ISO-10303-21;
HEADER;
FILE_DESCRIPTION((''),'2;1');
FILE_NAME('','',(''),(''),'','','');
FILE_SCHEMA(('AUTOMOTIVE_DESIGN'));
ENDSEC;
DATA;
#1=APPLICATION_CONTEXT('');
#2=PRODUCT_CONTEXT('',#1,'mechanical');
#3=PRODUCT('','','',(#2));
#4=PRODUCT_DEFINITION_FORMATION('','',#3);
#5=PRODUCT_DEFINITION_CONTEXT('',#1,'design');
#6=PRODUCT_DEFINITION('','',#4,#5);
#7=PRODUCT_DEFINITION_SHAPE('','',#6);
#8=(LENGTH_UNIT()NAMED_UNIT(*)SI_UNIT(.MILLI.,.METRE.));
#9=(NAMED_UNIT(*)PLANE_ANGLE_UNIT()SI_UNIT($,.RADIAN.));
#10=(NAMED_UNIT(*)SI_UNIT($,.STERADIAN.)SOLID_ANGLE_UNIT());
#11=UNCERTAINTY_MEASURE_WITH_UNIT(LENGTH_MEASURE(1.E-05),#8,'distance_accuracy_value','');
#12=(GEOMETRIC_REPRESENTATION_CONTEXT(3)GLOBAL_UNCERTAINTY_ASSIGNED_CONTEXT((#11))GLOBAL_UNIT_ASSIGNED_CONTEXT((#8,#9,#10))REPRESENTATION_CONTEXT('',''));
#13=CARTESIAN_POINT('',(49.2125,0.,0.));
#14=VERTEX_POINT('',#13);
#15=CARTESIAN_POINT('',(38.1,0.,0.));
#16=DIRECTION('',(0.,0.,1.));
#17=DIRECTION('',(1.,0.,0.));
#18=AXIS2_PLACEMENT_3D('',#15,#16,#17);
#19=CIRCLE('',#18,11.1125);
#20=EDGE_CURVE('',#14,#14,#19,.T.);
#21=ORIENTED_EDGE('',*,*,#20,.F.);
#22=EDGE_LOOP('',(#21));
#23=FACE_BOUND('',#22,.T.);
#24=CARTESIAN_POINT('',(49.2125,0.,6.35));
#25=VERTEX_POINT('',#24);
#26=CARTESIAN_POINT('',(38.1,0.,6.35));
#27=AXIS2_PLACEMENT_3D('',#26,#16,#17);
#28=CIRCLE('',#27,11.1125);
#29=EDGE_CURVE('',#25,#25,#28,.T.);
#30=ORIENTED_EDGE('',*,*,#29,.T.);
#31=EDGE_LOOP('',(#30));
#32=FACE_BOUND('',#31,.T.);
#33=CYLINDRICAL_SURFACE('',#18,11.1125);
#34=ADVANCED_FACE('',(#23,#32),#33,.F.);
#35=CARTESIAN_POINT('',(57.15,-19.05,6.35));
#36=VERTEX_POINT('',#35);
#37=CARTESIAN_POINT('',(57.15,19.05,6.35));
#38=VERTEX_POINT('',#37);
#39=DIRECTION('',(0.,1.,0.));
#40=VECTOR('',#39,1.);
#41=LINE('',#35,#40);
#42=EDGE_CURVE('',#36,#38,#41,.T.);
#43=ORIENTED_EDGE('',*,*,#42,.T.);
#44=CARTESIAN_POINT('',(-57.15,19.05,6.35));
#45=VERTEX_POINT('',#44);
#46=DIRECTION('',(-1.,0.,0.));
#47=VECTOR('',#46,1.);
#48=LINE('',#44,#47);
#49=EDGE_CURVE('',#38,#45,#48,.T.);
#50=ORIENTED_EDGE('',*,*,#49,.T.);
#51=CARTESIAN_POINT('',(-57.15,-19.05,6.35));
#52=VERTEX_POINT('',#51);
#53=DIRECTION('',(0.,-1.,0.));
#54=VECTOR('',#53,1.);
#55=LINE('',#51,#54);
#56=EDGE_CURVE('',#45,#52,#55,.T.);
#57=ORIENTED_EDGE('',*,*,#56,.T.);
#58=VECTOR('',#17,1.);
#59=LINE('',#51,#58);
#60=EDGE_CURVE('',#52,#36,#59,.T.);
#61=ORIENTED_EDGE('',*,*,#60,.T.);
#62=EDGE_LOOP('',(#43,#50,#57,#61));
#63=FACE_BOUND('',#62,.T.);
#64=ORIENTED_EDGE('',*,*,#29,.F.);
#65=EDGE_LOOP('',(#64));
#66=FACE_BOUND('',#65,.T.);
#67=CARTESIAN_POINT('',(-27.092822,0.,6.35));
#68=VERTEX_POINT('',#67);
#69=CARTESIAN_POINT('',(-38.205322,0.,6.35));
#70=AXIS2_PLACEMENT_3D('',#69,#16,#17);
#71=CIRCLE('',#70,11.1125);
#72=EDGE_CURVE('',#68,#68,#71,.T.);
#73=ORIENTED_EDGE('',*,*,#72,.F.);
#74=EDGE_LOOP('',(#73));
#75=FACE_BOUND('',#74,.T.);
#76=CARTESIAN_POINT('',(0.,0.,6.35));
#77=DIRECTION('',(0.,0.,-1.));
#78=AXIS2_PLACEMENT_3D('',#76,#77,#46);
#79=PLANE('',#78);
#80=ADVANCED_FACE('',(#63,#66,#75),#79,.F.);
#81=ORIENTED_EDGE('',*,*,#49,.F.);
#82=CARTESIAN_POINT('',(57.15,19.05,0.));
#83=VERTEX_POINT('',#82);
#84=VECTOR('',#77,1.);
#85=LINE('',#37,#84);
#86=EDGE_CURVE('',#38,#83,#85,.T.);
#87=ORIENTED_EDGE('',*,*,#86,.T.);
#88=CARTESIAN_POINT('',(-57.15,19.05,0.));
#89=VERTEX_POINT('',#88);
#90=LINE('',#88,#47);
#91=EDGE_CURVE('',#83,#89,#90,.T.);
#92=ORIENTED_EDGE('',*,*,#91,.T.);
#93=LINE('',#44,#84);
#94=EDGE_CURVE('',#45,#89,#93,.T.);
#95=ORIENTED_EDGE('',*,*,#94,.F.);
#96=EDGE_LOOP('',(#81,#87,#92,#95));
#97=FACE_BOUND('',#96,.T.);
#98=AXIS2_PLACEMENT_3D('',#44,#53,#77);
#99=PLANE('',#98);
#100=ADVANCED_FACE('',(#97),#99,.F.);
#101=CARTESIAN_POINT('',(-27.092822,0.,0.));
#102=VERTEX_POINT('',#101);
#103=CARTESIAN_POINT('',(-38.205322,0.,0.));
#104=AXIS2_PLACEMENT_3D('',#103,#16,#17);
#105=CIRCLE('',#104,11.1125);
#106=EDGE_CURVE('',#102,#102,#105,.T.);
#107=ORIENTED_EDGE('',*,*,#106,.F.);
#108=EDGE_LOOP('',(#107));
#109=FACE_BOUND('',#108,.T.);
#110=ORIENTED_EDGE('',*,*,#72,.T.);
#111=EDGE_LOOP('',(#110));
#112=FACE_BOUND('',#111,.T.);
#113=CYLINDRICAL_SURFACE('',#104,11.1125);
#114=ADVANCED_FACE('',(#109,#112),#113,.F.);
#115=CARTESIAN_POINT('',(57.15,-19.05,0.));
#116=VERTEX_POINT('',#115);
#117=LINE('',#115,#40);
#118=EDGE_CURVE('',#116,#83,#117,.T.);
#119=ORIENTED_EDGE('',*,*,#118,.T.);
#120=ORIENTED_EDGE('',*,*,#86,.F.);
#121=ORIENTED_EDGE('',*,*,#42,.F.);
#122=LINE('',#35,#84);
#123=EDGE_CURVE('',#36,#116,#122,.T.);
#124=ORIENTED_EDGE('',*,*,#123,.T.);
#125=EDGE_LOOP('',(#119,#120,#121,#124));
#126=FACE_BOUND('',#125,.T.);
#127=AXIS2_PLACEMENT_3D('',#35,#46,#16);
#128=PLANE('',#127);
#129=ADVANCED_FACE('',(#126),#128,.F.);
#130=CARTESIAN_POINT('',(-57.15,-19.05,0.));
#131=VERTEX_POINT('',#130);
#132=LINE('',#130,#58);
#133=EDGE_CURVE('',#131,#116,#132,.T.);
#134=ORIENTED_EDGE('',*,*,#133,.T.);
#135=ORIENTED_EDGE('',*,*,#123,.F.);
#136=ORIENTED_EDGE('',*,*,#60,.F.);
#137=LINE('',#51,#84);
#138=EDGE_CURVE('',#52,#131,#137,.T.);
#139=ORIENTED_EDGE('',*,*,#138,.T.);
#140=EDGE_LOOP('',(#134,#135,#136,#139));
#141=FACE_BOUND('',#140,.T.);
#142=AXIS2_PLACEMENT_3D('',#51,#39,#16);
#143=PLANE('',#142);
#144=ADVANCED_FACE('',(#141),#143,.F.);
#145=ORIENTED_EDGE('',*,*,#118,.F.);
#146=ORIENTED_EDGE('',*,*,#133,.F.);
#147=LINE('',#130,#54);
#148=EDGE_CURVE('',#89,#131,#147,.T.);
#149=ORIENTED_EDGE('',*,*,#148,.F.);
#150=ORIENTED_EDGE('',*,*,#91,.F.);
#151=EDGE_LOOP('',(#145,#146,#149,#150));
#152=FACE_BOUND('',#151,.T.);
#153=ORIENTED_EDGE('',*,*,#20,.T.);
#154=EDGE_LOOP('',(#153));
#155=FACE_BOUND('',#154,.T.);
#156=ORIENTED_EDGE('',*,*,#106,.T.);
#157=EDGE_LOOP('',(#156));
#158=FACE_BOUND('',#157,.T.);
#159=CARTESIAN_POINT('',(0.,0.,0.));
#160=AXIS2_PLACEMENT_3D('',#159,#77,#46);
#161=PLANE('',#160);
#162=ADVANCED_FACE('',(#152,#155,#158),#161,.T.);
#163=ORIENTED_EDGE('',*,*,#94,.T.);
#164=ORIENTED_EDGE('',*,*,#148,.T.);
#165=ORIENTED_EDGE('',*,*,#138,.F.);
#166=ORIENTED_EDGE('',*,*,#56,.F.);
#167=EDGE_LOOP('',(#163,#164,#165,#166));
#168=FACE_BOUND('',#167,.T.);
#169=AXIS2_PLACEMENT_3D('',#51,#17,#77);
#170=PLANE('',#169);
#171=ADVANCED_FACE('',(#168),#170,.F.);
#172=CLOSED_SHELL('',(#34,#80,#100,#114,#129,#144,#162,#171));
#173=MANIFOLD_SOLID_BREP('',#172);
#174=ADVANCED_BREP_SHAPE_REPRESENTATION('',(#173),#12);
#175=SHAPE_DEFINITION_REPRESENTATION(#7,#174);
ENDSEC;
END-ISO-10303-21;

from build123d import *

# Parameters (mm, degrees)
SKETCH1_W           = 114.3
SKETCH1_H           = 38.1
BOSS_EXTRUDE1_DEPTH = 6.35
SKETCH2_R           = 11.1125
CUT_EXTRUDE1_DEPTH  = 61.57513929


with BuildPart() as part:
    # Sketch1 → Boss-Extrude1 (new body)
    with BuildSketch(Plane.XY):
        Rectangle(SKETCH1_W, SKETCH1_H)
    extrude(amount=BOSS_EXTRUDE1_DEPTH)

    # Sketch2 → Cut-Extrude1 (cut, through all)
    with BuildSketch(Plane.XY.offset(6.35)):
        with Locations((-38.205321874, 0)):
            Circle(SKETCH2_R)
        with Locations((38.1, 0)):
            Circle(SKETCH2_R)
    extrude(amount=-CUT_EXTRUDE1_DEPTH, mode=Mode.SUBTRACT)


solid = part.part
